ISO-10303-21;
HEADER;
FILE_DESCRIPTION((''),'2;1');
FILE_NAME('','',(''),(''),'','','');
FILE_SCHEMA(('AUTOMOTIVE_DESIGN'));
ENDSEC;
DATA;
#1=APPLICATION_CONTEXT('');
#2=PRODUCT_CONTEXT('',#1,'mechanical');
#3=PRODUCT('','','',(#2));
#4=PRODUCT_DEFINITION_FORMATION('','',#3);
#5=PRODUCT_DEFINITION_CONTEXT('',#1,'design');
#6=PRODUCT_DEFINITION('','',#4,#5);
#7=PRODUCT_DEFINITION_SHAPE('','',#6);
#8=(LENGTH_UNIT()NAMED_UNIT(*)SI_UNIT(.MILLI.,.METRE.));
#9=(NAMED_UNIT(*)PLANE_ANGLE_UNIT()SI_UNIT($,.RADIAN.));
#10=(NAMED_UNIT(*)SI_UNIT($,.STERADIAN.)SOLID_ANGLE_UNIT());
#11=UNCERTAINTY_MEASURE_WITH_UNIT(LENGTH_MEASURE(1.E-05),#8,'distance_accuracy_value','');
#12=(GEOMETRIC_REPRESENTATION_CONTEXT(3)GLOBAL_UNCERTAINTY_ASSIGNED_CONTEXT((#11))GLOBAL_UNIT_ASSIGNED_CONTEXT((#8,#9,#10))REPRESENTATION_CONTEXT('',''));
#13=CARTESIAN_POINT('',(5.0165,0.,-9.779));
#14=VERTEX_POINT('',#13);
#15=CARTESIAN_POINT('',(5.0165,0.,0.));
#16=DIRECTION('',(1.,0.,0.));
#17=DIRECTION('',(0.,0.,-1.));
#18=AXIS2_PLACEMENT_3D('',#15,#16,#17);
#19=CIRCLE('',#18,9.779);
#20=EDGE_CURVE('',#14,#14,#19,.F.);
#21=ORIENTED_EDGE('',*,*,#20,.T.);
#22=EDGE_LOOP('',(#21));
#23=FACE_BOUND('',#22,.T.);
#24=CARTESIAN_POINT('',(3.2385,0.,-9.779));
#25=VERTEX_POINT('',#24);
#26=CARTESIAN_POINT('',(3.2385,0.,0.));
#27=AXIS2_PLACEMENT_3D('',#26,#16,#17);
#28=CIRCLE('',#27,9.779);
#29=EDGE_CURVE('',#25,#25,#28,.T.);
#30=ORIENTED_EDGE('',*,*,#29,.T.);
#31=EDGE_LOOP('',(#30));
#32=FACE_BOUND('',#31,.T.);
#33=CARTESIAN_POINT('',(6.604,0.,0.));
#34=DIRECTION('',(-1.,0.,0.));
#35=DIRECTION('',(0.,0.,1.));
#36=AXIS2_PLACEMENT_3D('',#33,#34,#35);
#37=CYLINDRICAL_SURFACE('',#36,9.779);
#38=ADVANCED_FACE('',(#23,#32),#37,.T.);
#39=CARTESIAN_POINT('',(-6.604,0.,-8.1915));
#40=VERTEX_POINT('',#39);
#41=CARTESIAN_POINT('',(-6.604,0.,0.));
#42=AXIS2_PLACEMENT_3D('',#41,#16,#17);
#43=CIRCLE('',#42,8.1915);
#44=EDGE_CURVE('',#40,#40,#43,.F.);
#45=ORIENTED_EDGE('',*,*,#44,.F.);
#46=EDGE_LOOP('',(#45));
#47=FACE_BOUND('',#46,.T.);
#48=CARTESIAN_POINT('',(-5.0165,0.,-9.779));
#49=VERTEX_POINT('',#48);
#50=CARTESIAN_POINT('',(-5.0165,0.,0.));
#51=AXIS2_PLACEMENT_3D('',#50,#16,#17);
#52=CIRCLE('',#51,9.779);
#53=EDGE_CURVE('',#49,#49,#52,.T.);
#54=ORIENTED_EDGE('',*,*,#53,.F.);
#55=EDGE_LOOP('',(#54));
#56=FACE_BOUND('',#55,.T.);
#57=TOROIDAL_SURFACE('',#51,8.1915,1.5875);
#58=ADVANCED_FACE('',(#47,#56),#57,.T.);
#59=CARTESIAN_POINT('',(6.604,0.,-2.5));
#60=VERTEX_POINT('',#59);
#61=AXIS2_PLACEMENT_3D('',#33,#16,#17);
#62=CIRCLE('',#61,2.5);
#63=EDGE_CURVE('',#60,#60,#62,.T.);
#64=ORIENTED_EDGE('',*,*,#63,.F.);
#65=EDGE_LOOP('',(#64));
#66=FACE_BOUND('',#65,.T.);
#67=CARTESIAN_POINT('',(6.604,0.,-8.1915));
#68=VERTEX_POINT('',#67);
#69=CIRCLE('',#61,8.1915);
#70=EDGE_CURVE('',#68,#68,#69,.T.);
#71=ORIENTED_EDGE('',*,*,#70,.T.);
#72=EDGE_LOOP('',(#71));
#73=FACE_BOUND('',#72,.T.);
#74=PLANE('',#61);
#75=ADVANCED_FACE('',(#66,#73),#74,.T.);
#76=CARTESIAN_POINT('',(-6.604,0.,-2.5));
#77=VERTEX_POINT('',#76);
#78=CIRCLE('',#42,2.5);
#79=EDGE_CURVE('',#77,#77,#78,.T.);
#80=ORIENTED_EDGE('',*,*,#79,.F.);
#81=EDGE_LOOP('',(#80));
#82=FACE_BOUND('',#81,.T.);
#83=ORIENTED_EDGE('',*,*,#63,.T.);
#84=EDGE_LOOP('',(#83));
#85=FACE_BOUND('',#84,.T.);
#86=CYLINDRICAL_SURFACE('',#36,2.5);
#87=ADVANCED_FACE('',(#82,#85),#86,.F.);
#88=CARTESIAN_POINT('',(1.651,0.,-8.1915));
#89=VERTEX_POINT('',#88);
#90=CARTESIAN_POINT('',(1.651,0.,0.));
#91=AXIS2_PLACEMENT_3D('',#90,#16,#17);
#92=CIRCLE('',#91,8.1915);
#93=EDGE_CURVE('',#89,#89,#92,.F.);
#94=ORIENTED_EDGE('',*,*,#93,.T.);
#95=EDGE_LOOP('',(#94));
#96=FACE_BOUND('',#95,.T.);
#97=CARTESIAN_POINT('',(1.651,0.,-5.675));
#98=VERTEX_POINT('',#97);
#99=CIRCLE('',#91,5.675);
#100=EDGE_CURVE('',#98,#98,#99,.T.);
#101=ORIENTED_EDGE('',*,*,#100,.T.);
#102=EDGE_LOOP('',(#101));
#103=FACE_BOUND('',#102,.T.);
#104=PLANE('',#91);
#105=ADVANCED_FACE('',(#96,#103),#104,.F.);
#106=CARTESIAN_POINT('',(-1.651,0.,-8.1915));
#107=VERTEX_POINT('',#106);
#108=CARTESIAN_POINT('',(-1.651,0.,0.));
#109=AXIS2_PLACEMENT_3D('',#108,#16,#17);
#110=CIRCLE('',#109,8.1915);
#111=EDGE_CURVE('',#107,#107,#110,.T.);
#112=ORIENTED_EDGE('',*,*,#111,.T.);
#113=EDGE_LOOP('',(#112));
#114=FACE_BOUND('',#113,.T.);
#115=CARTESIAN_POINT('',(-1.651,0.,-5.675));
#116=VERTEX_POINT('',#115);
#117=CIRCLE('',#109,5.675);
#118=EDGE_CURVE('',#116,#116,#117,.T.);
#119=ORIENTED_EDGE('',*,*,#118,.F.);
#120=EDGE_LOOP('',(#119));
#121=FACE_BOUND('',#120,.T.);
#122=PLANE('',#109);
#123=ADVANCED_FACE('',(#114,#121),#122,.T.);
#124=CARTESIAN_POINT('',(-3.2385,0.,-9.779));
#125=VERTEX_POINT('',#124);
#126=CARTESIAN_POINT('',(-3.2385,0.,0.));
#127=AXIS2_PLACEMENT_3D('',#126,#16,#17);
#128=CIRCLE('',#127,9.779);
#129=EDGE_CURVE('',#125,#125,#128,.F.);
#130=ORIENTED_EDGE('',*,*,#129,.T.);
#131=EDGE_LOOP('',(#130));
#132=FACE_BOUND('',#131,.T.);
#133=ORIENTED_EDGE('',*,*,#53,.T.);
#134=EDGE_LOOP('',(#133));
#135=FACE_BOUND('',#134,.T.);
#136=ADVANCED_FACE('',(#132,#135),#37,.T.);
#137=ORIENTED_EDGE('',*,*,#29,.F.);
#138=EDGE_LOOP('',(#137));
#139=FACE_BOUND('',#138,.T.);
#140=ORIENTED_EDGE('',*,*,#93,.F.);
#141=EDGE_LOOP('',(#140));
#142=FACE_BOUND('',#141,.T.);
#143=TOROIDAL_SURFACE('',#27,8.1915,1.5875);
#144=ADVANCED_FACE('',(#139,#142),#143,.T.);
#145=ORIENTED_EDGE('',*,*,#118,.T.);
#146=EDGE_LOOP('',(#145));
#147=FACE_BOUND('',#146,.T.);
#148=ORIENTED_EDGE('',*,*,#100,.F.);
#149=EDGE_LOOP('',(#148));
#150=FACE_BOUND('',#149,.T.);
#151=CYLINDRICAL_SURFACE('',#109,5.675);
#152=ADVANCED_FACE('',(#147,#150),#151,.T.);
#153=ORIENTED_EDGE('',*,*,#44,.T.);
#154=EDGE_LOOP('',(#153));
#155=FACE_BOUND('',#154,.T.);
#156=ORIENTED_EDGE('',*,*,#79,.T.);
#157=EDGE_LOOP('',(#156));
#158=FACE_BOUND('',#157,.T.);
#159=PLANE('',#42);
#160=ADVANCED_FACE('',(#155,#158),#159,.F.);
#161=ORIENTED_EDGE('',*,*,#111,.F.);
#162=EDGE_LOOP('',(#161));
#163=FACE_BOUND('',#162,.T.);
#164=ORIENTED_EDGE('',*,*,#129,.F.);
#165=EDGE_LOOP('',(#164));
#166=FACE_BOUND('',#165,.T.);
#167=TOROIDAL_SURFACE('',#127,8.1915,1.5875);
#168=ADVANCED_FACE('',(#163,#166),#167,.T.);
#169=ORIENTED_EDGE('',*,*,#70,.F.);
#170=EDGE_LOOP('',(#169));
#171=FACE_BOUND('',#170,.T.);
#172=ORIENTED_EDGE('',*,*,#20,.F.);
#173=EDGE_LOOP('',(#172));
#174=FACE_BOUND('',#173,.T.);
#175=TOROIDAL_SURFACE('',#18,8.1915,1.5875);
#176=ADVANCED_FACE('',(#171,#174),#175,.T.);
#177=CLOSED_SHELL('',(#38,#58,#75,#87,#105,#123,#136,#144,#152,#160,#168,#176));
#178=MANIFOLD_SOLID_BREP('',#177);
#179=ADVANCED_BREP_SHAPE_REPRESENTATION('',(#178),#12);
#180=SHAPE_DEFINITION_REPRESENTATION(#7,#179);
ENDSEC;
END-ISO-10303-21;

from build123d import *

# Parameters (mm, degrees)
SKETCH1_R           = 9.779
SKETCH1_R_2         = 2.5
BOSS_EXTRUDE1_DEPTH = 6.604
SKETCH2_R           = 11.049
SKETCH2_R_2         = 5.675
CUT_EXTRUDE1_DEPTH  = 1.651
FILLET1_R           = 1.5875


with BuildPart() as part:
    # Sketch1 → Boss-Extrude1 (new body, symmetric)
    with BuildSketch(Plane(origin=(0, 0, 0), x_dir=(0, 0, -1), z_dir=(1, 0, 0))):
        Circle(SKETCH1_R)
        Circle(SKETCH1_R_2, mode=Mode.SUBTRACT)
    extrude(amount=BOSS_EXTRUDE1_DEPTH, both=True)

    # Sketch2 → Cut-Extrude1 (cut, symmetric)
    with BuildSketch(Plane(origin=(0, 0, 0), x_dir=(0, 0, -1), z_dir=(1, 0, 0))):
        Circle(SKETCH2_R)
        Circle(SKETCH2_R_2, mode=Mode.SUBTRACT)
    extrude(amount=CUT_EXTRUDE1_DEPTH, both=True, mode=Mode.SUBTRACT)

    # Fillet1
    fillet1_edges = [part.edges().sort_by_distance(p)[0] for p in [
        (1.651, 0, 9.779),
        (-1.651, 0, 9.779),
        (-6.604, 0, 9.779),
        (6.604, 0, 9.779),
    ]]
    fillet(fillet1_edges, radius=FILLET1_R)


solid = part.part
